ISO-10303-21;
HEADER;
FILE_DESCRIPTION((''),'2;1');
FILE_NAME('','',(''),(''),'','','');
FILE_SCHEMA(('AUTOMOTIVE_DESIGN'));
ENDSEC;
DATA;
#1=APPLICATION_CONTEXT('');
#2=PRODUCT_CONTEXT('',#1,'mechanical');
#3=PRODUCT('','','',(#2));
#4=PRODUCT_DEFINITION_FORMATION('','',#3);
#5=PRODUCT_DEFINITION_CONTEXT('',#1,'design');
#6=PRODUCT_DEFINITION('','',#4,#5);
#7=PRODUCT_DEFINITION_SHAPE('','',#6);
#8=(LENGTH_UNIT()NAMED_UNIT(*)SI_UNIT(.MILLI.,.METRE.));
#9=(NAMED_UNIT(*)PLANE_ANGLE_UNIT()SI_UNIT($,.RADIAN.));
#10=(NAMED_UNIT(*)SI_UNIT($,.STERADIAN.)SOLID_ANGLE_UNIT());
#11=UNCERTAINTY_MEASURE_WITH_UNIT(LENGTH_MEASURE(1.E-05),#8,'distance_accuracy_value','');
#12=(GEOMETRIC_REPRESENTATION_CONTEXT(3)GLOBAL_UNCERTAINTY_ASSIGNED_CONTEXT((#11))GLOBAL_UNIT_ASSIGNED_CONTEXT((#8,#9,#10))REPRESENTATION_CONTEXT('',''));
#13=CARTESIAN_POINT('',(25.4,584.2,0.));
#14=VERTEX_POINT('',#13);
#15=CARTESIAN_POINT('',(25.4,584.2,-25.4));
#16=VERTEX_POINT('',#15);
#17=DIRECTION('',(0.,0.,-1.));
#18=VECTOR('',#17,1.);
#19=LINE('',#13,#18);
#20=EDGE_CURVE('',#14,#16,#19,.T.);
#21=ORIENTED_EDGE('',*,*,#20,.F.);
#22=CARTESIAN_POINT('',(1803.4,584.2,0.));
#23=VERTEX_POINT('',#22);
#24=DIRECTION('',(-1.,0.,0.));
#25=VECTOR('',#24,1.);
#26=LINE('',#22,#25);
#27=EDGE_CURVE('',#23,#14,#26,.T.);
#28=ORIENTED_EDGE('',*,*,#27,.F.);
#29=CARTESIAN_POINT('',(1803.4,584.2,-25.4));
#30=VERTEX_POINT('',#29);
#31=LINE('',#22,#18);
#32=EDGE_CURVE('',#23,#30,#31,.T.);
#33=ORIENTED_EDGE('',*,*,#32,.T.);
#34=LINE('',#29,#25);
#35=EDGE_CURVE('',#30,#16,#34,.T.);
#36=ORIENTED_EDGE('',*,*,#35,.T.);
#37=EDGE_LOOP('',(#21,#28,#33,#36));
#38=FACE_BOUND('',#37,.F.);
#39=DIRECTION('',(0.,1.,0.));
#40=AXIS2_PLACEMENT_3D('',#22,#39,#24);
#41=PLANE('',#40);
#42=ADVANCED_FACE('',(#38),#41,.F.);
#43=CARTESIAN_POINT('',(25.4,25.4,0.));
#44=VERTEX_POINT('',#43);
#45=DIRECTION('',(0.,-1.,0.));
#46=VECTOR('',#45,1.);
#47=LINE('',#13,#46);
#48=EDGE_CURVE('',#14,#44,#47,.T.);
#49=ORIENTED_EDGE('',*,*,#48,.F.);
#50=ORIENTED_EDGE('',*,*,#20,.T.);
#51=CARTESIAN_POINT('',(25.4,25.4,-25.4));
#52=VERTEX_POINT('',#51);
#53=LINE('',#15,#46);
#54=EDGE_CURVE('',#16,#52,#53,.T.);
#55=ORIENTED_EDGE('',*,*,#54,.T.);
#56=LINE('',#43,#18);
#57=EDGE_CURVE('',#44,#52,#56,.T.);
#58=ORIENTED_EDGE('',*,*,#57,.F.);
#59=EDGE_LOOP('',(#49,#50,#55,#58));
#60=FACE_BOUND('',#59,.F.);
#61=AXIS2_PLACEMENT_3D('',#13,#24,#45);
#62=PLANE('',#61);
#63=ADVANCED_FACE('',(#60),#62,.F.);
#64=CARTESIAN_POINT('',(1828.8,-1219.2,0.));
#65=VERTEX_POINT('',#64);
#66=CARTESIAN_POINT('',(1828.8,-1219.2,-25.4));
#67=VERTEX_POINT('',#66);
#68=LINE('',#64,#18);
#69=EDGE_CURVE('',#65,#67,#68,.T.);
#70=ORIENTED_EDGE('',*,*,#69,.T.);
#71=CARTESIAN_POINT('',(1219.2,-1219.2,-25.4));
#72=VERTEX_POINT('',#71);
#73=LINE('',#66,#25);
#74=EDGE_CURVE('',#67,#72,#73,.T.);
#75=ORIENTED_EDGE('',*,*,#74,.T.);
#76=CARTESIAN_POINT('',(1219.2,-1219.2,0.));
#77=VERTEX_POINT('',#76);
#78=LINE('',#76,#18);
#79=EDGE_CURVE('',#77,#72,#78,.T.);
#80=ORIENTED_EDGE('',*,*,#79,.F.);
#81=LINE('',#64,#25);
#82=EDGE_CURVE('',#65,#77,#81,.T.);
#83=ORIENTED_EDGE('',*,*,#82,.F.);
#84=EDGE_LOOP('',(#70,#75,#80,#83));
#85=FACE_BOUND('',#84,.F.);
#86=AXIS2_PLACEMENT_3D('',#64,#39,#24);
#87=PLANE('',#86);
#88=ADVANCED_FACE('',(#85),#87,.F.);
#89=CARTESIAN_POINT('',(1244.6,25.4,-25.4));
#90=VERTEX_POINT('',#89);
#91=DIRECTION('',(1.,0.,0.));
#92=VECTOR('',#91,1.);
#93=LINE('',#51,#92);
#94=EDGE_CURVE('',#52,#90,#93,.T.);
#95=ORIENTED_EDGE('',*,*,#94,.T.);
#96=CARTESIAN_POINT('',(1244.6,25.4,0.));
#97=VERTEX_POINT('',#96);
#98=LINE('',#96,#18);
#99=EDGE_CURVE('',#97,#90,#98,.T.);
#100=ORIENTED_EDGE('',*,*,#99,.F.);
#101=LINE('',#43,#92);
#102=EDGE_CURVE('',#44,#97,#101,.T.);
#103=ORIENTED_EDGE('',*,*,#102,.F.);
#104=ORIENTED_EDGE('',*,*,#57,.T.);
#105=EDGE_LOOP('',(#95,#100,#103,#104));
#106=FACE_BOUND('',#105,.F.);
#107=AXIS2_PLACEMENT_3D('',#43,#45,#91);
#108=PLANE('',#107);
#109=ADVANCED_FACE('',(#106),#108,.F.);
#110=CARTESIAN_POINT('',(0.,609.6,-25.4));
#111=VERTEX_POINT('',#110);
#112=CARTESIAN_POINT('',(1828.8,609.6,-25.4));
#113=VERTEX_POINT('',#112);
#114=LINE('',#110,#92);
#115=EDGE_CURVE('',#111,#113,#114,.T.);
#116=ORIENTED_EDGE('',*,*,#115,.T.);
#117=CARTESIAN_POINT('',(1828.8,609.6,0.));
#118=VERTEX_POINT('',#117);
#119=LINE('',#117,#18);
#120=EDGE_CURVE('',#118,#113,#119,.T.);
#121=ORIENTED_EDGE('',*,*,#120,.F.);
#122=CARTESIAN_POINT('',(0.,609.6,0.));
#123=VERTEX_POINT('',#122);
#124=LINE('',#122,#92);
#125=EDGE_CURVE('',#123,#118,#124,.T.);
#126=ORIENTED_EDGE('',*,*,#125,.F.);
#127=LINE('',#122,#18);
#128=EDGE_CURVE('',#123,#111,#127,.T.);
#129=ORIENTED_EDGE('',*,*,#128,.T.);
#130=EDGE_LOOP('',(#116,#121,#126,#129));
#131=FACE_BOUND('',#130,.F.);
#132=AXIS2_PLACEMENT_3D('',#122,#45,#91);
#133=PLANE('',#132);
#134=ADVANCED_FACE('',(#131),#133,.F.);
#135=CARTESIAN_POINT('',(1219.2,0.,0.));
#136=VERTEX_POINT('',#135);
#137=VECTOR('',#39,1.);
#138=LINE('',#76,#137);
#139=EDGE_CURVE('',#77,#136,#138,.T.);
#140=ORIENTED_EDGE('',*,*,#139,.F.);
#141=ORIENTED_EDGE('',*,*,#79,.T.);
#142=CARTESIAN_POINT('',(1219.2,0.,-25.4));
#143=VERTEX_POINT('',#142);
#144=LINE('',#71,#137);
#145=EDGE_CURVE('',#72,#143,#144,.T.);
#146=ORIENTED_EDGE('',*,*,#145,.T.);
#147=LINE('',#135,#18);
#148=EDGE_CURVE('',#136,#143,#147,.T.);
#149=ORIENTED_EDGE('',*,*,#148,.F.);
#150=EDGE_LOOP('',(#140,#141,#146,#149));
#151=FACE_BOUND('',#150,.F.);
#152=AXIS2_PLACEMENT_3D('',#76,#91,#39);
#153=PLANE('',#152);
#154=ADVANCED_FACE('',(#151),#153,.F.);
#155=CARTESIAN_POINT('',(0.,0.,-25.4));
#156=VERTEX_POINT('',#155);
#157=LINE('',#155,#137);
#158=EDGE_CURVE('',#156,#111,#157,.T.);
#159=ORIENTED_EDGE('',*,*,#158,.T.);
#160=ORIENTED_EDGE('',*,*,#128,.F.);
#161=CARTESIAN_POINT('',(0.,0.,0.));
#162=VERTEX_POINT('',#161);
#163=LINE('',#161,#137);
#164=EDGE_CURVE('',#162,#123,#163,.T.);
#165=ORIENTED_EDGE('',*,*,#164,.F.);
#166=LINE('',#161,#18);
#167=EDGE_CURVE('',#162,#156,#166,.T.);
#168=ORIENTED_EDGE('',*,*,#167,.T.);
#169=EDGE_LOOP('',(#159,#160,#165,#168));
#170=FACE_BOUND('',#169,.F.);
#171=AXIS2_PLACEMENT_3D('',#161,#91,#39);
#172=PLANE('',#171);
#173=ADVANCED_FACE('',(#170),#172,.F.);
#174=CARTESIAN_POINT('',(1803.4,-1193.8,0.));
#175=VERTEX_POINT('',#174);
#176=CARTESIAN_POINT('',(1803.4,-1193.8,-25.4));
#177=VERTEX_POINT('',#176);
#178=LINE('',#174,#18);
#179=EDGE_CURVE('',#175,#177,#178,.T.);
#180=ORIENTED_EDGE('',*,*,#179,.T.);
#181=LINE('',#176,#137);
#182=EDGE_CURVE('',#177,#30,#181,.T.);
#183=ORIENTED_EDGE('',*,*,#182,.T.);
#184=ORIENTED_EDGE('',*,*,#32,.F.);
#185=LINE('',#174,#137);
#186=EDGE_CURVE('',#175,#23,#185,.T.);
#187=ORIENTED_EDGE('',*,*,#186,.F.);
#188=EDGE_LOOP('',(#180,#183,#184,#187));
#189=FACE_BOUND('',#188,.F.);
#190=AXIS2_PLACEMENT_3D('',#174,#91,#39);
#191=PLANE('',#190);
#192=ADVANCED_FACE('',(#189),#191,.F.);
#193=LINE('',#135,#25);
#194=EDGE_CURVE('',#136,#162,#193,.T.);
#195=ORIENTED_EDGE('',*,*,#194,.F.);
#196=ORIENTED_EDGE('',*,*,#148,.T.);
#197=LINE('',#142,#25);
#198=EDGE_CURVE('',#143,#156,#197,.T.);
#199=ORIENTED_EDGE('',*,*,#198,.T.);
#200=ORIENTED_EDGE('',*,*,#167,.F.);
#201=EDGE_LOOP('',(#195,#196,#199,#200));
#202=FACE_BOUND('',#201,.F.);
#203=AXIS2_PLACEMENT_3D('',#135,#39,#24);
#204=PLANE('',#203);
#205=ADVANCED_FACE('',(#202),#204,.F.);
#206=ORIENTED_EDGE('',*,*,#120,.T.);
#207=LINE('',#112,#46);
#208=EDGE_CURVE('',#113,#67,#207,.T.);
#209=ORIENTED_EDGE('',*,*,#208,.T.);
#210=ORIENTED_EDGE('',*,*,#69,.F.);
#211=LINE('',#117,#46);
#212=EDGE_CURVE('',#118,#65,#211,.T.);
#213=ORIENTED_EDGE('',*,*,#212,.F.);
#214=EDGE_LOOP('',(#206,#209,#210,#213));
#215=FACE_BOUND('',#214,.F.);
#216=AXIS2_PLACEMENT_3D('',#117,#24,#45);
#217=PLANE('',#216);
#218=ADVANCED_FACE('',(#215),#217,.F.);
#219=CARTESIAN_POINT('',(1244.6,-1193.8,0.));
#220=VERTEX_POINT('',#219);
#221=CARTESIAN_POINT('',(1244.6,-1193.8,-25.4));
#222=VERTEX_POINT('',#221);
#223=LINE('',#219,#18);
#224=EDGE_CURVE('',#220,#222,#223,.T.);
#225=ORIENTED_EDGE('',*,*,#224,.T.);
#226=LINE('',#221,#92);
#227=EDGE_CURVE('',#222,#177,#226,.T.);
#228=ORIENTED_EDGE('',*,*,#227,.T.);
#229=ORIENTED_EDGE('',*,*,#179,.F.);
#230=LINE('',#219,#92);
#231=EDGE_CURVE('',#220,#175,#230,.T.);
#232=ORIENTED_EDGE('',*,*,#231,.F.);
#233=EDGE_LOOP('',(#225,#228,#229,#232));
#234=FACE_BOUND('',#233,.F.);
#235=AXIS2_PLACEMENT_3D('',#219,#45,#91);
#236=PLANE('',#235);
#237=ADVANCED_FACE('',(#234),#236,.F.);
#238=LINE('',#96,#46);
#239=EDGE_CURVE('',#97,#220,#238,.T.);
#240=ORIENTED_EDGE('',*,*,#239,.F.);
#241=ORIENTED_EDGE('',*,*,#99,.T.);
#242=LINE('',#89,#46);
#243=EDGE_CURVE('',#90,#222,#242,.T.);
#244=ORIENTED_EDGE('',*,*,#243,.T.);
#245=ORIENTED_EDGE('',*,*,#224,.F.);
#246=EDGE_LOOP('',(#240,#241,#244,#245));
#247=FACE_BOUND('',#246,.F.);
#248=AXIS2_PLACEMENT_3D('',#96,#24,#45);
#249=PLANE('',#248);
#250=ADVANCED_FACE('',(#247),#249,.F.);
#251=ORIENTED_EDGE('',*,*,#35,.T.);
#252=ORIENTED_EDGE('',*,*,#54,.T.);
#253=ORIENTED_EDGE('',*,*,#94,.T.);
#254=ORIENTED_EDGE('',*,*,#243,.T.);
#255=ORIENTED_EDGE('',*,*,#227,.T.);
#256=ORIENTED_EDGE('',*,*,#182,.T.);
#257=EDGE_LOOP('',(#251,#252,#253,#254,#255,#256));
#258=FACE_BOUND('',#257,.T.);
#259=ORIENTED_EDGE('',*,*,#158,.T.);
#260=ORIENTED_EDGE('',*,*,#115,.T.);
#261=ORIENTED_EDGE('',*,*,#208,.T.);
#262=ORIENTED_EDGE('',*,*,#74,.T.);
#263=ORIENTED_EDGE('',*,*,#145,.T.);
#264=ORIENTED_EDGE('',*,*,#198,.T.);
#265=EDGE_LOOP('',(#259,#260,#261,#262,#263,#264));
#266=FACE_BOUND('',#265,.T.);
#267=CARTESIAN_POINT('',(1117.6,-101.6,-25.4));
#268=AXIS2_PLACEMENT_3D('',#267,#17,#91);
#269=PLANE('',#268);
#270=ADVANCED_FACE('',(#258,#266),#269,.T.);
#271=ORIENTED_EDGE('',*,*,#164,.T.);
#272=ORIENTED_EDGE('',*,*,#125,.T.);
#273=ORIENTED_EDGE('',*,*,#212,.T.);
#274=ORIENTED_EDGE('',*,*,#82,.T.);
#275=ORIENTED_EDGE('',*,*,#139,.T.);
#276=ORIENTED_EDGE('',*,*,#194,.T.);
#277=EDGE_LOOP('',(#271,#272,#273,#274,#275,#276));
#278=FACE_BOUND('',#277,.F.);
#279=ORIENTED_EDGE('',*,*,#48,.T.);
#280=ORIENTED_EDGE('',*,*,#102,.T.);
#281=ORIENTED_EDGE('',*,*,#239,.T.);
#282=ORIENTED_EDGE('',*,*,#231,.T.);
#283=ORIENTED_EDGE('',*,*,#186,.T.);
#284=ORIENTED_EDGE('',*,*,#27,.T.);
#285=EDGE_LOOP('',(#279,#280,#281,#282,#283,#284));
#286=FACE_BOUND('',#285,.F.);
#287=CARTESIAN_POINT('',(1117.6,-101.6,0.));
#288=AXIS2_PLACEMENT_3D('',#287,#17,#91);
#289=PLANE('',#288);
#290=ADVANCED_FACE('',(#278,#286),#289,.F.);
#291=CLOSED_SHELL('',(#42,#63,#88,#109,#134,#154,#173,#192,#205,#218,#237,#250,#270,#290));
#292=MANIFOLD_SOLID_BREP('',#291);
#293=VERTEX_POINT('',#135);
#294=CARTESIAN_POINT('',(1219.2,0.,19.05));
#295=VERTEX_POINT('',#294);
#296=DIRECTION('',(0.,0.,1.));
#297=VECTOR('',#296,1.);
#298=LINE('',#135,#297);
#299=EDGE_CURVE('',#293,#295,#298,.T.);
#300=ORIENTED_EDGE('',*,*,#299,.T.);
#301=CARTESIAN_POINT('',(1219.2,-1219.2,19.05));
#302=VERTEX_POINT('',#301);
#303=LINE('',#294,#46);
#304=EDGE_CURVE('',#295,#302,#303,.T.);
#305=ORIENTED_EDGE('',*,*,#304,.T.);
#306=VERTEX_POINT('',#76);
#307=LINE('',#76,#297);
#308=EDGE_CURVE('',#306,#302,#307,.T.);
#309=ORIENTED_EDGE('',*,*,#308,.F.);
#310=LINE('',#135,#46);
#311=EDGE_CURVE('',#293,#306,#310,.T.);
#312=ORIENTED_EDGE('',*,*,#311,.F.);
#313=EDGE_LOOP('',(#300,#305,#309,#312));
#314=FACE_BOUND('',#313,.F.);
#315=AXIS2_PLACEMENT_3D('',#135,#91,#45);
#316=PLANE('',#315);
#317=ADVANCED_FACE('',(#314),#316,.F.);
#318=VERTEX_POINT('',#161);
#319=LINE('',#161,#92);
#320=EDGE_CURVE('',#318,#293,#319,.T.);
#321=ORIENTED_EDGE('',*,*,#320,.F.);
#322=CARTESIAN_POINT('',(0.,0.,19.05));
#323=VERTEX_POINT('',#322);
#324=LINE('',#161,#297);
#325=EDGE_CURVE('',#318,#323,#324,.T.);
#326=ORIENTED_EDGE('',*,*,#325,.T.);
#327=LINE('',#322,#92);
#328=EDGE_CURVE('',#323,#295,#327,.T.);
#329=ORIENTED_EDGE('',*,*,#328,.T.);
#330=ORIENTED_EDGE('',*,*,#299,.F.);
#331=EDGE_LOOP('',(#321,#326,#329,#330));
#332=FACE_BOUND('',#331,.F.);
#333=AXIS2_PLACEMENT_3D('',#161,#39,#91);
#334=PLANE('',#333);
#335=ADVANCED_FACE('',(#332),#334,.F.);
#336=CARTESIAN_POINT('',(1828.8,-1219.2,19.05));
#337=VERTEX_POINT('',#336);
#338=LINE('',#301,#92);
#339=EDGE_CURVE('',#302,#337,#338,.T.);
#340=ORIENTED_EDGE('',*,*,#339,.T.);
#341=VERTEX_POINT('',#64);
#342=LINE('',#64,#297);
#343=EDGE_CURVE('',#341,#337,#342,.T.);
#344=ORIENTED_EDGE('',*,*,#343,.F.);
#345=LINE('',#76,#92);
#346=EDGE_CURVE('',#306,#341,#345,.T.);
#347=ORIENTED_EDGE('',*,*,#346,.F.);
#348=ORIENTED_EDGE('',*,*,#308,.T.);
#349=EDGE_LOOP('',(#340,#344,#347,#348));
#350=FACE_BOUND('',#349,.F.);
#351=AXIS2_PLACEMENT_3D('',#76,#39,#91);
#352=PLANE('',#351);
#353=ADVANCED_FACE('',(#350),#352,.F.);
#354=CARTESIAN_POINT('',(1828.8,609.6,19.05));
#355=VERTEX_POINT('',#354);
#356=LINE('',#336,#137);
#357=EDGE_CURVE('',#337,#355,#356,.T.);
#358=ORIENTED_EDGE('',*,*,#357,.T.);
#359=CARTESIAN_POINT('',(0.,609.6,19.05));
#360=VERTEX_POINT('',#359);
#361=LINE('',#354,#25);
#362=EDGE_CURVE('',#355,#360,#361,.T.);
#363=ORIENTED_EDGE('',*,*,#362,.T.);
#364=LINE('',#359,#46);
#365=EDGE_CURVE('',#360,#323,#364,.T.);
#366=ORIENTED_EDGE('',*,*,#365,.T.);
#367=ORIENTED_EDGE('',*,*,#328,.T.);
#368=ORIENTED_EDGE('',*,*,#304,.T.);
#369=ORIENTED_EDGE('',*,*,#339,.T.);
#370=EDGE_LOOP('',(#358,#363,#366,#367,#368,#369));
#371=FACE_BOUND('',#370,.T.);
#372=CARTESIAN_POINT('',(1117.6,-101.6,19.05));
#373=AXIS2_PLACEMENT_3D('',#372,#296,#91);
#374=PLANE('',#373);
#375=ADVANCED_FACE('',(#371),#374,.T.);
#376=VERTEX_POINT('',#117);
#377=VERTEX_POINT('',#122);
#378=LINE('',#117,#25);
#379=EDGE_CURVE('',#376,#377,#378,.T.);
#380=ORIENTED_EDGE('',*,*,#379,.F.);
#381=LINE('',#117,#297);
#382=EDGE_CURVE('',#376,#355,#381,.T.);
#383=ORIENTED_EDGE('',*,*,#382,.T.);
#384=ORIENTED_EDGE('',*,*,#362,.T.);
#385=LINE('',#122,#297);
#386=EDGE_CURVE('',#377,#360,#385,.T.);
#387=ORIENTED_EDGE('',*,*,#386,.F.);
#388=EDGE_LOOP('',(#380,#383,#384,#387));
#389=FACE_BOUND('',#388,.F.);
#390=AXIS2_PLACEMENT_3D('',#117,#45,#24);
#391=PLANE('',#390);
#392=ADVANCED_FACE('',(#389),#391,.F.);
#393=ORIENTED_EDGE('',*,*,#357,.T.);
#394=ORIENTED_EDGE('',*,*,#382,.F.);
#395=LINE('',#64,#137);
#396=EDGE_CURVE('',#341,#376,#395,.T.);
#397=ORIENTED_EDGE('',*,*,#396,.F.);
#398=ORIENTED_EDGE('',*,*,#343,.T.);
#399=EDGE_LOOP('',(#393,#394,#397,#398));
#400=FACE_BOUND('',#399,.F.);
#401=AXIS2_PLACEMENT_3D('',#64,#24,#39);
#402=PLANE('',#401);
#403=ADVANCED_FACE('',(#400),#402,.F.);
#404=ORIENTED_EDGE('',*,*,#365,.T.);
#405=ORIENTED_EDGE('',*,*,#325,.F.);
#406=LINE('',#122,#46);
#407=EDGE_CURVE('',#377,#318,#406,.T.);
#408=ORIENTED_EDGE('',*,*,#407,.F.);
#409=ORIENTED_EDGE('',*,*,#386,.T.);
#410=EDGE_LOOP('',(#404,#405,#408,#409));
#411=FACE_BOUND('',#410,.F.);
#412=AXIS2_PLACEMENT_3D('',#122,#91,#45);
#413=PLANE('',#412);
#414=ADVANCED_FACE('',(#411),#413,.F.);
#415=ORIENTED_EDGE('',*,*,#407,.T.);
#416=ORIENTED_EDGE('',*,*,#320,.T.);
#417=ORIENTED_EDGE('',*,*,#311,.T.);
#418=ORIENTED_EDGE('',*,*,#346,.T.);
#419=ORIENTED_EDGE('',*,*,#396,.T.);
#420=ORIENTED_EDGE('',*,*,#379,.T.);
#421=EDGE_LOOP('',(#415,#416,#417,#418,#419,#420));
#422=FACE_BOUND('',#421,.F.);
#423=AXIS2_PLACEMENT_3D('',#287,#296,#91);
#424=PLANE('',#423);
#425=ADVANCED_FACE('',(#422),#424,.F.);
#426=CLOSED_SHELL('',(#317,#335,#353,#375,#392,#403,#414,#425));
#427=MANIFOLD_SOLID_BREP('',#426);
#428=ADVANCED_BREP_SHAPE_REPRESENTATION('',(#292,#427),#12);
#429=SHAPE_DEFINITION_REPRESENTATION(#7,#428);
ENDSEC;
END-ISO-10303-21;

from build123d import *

# Parameters (mm, degrees)
F1_DEPTH = 19.05
F3_DEPTH = 25.4


with BuildPart() as f1:
    # F0 (on Top) → F1 (new body)
    with BuildSketch(Plane.XY):
        Polygon((0, 609.6), (0, 0), (1219.2, 0), (1219.2, -1219.2), (1828.8, -1219.2), (1828.8, 0), (1828.8, 609.6), align=None)
    extrude(amount=F1_DEPTH)


with BuildPart() as f3:
    # F2 (on face) → F3 (new body)
    with BuildSketch(Plane(origin=(0, 0, 0), x_dir=(1, 0, 0), z_dir=(0, 0, -1))):
        Polygon((1219.2, 0), (1218.581915, 0), (0, 0), (0, -609.6), (1828.8, -609.6), (1828.8, 1219.2), (1219.2, 1219.2), align=None)
        Polygon((25.4, -584.2), (25.4, -25.4), (1244.6, -25.4), (1244.6, 1193.8), (1803.4, 1193.8), (1803.4, -584.2), align=None, mode=Mode.SUBTRACT)
    extrude(amount=F3_DEPTH)


solid = Compound([f1.part, f3.part])
